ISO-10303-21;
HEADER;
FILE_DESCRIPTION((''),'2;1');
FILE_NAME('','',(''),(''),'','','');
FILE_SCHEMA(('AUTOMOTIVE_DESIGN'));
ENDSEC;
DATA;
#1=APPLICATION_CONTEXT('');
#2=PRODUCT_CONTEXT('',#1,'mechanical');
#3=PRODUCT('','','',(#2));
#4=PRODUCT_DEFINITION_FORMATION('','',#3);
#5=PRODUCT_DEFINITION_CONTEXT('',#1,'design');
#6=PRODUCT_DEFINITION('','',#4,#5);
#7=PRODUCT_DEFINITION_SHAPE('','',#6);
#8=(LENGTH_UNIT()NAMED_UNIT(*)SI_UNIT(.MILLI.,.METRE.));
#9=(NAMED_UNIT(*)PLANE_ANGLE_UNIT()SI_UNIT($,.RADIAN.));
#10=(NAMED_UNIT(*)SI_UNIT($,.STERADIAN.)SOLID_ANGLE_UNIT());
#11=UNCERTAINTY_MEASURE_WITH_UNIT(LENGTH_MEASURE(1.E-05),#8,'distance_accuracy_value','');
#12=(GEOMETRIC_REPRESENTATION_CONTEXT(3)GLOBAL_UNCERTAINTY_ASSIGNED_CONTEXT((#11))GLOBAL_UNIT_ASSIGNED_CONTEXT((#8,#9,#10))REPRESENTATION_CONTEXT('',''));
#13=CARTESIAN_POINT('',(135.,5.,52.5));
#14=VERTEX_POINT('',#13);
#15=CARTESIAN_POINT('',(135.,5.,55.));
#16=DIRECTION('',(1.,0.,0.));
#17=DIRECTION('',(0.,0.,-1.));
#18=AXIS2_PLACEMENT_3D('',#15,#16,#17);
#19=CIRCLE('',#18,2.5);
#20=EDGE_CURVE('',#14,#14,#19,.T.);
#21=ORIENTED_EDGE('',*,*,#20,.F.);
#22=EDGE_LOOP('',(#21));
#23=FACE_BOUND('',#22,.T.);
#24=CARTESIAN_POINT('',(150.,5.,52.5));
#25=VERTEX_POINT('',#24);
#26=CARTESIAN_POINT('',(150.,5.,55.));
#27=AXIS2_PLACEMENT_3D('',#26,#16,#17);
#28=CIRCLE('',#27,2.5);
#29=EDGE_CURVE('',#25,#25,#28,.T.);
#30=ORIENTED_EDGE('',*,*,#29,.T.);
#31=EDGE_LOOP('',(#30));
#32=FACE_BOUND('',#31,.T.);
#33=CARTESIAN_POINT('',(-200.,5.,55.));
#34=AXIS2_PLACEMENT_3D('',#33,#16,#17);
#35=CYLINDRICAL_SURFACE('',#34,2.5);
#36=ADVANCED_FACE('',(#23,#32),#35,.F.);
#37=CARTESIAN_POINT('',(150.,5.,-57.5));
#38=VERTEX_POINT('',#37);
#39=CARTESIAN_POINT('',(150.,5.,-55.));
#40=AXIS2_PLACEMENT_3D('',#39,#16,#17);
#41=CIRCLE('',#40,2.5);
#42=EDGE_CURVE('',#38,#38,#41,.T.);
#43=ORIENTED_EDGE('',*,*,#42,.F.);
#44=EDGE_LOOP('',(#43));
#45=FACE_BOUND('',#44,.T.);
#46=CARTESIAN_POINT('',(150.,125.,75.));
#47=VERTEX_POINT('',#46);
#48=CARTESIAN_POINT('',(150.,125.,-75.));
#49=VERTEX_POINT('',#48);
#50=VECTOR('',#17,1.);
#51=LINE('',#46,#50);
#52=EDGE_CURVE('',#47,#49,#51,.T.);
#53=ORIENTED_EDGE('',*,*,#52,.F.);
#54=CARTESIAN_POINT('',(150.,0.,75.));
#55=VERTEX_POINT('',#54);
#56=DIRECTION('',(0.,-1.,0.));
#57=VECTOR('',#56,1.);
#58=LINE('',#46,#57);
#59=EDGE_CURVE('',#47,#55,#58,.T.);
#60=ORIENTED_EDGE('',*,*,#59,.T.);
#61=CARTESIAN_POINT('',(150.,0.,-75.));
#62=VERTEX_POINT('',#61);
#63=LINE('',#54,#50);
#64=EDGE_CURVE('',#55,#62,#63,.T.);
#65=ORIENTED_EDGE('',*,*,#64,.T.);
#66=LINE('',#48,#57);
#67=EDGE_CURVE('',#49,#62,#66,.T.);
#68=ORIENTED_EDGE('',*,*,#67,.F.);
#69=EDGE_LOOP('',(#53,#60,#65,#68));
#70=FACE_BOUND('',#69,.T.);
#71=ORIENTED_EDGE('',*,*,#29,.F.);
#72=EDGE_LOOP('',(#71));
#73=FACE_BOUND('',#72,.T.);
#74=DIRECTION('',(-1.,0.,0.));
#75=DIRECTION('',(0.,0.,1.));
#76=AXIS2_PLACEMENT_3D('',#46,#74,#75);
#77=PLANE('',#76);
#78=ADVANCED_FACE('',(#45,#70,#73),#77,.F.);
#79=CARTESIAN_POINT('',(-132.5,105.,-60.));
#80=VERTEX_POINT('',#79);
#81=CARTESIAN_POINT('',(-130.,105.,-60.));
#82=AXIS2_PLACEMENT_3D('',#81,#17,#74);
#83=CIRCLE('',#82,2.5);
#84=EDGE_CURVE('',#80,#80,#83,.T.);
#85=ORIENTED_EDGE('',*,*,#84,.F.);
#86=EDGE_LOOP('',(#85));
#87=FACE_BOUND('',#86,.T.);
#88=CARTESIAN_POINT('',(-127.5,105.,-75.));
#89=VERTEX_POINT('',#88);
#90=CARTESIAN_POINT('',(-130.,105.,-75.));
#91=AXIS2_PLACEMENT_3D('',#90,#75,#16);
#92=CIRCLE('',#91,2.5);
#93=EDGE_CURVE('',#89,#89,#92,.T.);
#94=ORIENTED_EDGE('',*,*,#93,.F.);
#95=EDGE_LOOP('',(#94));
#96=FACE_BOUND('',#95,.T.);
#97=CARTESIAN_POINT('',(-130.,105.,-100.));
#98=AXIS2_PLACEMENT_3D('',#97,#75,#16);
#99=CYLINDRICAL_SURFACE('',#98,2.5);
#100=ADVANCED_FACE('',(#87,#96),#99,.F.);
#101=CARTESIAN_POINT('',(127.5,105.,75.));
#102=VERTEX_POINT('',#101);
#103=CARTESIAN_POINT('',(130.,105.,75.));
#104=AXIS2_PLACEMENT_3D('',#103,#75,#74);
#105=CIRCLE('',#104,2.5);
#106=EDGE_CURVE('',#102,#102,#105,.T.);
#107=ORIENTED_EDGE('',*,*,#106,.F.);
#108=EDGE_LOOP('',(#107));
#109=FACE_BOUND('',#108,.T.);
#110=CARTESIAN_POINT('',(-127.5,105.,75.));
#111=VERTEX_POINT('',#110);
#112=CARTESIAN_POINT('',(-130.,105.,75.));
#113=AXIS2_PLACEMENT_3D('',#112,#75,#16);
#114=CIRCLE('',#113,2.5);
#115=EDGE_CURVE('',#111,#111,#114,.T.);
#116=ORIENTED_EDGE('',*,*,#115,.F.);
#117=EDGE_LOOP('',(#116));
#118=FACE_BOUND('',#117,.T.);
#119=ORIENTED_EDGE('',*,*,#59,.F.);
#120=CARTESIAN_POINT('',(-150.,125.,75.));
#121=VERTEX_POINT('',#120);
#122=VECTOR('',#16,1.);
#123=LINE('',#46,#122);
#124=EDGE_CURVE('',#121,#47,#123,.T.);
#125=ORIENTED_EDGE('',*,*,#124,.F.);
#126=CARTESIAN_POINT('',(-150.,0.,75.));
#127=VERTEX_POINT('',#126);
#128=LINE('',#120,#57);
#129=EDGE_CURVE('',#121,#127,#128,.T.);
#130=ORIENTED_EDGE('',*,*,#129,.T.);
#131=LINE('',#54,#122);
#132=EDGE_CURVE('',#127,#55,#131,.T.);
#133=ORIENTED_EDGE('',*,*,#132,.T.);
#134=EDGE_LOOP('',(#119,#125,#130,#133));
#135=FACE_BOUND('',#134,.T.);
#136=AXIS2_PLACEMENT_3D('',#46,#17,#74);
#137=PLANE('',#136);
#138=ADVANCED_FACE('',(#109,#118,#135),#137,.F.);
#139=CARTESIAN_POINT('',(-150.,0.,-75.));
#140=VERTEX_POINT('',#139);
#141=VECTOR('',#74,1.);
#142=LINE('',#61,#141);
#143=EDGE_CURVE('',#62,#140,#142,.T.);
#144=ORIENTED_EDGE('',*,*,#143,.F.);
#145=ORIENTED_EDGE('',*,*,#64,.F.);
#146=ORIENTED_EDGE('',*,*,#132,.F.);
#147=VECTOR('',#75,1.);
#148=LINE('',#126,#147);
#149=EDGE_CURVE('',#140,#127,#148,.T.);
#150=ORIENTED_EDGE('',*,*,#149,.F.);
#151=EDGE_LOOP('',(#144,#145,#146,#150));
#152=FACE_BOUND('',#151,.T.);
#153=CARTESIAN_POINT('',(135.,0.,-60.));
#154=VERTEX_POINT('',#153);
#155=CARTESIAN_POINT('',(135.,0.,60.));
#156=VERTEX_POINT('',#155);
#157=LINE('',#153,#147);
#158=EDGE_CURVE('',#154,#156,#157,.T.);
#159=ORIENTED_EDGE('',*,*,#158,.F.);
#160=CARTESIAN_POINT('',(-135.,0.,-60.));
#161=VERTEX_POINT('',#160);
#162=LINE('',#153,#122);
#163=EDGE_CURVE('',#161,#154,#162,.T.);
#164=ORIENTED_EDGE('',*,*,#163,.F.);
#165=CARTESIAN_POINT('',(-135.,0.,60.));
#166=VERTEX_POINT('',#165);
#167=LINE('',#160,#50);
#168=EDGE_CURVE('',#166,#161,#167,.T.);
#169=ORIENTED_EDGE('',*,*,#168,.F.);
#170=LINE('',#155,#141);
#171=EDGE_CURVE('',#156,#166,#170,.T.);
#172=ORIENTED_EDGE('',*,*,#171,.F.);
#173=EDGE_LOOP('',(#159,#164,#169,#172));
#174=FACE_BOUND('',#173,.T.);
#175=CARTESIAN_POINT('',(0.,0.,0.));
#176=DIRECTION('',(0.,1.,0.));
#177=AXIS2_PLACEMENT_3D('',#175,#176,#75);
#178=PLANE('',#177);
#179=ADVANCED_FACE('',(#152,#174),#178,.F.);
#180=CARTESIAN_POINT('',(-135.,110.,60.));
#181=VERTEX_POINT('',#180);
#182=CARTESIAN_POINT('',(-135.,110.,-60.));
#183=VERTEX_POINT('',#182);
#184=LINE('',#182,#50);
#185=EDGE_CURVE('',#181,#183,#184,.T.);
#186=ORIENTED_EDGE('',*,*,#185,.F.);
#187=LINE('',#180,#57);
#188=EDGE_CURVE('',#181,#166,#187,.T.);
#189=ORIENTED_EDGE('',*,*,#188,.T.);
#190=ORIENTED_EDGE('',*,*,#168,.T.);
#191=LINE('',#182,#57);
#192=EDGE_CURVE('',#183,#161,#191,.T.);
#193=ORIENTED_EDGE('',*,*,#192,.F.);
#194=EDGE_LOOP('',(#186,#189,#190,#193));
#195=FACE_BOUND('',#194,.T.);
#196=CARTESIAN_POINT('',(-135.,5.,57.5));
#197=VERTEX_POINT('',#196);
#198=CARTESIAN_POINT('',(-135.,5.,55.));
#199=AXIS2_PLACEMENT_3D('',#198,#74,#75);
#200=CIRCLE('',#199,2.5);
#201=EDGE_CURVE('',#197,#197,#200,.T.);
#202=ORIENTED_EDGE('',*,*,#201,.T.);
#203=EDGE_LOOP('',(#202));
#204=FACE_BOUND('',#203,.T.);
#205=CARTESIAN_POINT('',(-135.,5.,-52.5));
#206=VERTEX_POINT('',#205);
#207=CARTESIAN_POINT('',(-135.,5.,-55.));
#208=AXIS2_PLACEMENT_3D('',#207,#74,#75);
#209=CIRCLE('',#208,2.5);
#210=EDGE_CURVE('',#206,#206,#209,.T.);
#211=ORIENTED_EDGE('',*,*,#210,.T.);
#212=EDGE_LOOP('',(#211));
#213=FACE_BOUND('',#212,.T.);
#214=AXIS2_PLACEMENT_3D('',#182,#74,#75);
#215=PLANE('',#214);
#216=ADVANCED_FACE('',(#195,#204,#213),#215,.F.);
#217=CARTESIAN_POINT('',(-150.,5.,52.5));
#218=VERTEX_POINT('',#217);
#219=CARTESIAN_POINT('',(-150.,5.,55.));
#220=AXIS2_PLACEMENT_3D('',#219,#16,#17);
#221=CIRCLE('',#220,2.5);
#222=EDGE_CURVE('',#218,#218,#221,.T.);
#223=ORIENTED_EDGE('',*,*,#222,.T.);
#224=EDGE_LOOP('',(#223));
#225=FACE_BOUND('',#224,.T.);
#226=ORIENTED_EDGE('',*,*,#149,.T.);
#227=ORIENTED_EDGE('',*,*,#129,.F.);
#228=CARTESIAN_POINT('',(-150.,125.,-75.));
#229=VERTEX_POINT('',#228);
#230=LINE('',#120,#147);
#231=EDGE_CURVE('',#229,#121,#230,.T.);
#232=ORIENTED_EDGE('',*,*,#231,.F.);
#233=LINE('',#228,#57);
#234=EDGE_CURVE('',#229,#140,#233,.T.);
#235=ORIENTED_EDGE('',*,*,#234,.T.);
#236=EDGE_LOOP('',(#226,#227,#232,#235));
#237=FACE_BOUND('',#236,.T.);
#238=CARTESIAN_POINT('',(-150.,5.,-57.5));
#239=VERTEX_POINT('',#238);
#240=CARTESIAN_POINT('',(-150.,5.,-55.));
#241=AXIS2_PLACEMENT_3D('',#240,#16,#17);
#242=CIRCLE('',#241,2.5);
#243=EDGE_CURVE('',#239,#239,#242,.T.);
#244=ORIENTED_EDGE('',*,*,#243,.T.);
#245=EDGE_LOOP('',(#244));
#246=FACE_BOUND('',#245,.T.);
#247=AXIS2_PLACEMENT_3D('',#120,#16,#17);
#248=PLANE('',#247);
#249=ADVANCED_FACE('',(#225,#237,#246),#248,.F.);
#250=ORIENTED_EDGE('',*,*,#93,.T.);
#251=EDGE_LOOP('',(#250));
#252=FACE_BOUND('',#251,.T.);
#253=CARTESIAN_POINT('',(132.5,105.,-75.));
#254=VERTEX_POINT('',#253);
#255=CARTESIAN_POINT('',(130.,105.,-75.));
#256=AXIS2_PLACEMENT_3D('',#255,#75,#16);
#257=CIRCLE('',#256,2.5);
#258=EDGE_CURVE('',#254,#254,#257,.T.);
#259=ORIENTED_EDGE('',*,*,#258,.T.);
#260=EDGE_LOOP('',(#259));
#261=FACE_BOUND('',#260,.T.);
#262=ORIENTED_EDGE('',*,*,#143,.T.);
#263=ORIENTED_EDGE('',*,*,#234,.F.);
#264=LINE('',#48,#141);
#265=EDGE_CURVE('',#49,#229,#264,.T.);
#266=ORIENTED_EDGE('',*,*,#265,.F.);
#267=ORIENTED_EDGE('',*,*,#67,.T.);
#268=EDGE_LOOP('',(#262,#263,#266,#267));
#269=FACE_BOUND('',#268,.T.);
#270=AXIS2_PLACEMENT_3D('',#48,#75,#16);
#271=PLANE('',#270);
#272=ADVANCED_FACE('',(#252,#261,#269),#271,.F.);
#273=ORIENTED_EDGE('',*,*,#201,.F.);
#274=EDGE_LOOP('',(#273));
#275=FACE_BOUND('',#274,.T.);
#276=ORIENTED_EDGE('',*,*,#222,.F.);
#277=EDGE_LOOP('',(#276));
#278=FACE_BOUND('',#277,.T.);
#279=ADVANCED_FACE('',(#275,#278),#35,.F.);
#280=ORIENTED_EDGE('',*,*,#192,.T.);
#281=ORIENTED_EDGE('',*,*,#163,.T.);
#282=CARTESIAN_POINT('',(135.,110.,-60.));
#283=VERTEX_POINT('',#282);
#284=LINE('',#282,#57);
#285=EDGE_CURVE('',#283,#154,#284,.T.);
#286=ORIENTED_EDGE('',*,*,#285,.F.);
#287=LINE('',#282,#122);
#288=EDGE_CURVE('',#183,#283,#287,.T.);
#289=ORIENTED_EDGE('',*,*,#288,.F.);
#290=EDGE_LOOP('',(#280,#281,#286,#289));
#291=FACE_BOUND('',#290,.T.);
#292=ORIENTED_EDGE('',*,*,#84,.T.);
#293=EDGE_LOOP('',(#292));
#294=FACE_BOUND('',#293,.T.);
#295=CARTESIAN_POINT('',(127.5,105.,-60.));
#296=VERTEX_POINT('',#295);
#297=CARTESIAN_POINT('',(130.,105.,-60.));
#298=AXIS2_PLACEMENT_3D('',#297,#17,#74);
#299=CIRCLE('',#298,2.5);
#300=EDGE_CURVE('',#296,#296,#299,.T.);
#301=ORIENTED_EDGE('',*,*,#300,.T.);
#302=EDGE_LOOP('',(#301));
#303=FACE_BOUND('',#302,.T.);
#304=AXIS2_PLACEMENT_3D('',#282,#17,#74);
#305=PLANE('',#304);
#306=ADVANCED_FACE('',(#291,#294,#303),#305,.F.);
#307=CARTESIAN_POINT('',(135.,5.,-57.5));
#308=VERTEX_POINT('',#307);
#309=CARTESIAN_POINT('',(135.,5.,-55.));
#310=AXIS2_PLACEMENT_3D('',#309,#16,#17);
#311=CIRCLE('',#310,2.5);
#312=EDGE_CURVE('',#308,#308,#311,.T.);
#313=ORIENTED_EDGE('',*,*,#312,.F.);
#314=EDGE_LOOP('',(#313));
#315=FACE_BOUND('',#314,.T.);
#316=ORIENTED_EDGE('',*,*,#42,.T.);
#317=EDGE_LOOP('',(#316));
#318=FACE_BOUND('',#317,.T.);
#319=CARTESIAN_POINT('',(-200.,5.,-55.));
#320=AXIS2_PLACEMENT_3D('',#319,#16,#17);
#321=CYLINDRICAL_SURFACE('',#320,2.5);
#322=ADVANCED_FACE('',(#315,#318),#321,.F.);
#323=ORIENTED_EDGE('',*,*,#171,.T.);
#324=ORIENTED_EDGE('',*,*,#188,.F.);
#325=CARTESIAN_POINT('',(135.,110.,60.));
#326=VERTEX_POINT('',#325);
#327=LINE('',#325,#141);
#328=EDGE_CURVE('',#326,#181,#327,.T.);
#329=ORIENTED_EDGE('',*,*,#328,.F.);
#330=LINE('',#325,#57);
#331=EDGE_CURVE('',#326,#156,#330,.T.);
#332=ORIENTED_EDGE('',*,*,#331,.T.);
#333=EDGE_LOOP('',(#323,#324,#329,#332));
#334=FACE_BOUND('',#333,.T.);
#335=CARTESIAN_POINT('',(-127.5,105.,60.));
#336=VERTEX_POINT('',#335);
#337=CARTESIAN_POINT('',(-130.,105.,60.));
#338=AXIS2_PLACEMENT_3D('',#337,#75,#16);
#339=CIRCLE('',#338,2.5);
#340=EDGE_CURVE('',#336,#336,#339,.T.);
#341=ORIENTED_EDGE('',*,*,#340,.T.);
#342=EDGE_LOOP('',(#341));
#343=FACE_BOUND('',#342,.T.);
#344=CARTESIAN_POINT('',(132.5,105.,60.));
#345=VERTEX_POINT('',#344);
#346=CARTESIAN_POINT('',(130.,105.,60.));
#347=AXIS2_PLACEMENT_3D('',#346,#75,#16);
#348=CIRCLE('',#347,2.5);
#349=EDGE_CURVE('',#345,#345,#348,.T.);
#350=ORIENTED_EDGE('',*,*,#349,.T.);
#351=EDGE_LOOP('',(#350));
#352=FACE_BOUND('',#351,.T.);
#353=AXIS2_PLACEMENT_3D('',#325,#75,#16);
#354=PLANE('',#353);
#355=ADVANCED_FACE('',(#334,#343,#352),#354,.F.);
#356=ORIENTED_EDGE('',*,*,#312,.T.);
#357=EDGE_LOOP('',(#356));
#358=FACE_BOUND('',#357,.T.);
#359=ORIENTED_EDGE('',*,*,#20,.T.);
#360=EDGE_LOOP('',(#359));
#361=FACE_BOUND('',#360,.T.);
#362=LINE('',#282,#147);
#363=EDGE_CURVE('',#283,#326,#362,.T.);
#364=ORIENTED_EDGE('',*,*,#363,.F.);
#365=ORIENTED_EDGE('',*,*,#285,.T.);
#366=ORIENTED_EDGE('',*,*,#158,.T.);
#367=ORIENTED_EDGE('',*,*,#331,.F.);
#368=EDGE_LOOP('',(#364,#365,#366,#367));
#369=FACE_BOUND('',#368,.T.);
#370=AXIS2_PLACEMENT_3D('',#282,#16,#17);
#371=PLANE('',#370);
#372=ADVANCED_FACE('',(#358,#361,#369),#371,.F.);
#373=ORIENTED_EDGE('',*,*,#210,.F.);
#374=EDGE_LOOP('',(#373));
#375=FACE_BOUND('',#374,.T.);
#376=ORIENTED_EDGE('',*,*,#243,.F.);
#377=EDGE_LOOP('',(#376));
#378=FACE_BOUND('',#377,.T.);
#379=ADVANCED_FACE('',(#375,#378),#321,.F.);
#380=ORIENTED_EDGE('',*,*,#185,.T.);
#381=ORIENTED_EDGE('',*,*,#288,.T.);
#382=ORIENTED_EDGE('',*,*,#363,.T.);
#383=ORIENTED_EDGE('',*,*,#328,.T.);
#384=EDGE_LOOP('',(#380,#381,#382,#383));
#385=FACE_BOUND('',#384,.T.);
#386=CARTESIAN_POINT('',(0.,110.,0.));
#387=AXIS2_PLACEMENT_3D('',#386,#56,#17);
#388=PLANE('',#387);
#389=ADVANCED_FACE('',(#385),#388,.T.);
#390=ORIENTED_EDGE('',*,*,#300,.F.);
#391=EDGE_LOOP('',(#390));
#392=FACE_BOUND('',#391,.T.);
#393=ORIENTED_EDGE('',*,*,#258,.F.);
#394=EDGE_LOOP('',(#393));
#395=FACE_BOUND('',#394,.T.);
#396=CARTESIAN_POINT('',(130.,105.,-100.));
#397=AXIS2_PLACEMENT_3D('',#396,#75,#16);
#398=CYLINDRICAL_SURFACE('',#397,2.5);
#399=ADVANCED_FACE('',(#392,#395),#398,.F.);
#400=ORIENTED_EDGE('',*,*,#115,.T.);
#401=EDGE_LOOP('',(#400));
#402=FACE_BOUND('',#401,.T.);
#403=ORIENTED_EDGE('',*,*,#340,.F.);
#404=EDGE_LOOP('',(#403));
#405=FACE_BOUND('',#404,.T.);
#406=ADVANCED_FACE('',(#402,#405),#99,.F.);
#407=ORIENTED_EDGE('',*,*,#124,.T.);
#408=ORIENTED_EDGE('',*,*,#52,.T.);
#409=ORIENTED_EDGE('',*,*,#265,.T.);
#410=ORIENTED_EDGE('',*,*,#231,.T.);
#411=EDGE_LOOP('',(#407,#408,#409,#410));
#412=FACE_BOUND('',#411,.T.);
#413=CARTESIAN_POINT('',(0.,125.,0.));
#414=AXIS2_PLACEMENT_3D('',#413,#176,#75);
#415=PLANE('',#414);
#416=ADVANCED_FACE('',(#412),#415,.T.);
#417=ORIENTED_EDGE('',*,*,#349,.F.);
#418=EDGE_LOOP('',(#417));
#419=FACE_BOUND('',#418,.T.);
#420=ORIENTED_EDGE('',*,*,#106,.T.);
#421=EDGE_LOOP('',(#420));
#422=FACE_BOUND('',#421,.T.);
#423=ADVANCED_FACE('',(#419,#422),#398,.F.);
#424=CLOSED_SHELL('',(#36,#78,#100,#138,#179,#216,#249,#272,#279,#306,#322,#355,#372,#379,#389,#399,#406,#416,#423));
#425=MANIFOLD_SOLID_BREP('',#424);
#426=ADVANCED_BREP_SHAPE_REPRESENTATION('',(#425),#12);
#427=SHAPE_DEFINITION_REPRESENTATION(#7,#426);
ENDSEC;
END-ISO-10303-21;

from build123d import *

# Parameters (mm, degrees)
SKETCH1_W           = 300
SKETCH1_H           = 150
BOSS_EXTRUDE1_DEPTH = 125
SKETCH2_W           = 270
SKETCH2_H           = 120
CUT_EXTRUDE1_DEPTH  = 110
SKETCH4_R           = 2.5
CUT_EXTRUDE5_DEPTH  = 350
SKETCH6_R           = 2.5
CUT_EXTRUDE6_DEPTH  = 175


with BuildPart() as part:
    # Sketch1 → Boss-Extrude1 (new body)
    with BuildSketch(Plane(origin=(0, 0, 0), x_dir=(1, 0, 0), z_dir=(0, 1, 0))):
        Rectangle(SKETCH1_W, SKETCH1_H)
    extrude(amount=BOSS_EXTRUDE1_DEPTH)

    # Sketch2 → Cut-Extrude1 (cut)
    with BuildSketch(Plane.XZ):
        Rectangle(SKETCH2_W, SKETCH2_H)
    extrude(amount=-CUT_EXTRUDE1_DEPTH, mode=Mode.SUBTRACT)

    # Sketch4 → Cut-Extrude5 (cut)
    with BuildSketch(Plane(origin=(150, 0, 0), x_dir=(0, 0, -1), z_dir=(1, 0, 0))):
        with Locations((-55, 5)):
            Circle(SKETCH4_R)
        with Locations((55, 5)):
            Circle(SKETCH4_R)
    extrude(amount=-CUT_EXTRUDE5_DEPTH, mode=Mode.SUBTRACT)

    # Sketch6 → Cut-Extrude6 (cut)
    with BuildSketch(Plane.XY.offset(75)):
        with Locations((-130, 105)):
            Circle(SKETCH6_R)
        with Locations((130, 105)):
            Circle(SKETCH6_R)
    extrude(amount=-CUT_EXTRUDE6_DEPTH, mode=Mode.SUBTRACT)


solid = part.part
